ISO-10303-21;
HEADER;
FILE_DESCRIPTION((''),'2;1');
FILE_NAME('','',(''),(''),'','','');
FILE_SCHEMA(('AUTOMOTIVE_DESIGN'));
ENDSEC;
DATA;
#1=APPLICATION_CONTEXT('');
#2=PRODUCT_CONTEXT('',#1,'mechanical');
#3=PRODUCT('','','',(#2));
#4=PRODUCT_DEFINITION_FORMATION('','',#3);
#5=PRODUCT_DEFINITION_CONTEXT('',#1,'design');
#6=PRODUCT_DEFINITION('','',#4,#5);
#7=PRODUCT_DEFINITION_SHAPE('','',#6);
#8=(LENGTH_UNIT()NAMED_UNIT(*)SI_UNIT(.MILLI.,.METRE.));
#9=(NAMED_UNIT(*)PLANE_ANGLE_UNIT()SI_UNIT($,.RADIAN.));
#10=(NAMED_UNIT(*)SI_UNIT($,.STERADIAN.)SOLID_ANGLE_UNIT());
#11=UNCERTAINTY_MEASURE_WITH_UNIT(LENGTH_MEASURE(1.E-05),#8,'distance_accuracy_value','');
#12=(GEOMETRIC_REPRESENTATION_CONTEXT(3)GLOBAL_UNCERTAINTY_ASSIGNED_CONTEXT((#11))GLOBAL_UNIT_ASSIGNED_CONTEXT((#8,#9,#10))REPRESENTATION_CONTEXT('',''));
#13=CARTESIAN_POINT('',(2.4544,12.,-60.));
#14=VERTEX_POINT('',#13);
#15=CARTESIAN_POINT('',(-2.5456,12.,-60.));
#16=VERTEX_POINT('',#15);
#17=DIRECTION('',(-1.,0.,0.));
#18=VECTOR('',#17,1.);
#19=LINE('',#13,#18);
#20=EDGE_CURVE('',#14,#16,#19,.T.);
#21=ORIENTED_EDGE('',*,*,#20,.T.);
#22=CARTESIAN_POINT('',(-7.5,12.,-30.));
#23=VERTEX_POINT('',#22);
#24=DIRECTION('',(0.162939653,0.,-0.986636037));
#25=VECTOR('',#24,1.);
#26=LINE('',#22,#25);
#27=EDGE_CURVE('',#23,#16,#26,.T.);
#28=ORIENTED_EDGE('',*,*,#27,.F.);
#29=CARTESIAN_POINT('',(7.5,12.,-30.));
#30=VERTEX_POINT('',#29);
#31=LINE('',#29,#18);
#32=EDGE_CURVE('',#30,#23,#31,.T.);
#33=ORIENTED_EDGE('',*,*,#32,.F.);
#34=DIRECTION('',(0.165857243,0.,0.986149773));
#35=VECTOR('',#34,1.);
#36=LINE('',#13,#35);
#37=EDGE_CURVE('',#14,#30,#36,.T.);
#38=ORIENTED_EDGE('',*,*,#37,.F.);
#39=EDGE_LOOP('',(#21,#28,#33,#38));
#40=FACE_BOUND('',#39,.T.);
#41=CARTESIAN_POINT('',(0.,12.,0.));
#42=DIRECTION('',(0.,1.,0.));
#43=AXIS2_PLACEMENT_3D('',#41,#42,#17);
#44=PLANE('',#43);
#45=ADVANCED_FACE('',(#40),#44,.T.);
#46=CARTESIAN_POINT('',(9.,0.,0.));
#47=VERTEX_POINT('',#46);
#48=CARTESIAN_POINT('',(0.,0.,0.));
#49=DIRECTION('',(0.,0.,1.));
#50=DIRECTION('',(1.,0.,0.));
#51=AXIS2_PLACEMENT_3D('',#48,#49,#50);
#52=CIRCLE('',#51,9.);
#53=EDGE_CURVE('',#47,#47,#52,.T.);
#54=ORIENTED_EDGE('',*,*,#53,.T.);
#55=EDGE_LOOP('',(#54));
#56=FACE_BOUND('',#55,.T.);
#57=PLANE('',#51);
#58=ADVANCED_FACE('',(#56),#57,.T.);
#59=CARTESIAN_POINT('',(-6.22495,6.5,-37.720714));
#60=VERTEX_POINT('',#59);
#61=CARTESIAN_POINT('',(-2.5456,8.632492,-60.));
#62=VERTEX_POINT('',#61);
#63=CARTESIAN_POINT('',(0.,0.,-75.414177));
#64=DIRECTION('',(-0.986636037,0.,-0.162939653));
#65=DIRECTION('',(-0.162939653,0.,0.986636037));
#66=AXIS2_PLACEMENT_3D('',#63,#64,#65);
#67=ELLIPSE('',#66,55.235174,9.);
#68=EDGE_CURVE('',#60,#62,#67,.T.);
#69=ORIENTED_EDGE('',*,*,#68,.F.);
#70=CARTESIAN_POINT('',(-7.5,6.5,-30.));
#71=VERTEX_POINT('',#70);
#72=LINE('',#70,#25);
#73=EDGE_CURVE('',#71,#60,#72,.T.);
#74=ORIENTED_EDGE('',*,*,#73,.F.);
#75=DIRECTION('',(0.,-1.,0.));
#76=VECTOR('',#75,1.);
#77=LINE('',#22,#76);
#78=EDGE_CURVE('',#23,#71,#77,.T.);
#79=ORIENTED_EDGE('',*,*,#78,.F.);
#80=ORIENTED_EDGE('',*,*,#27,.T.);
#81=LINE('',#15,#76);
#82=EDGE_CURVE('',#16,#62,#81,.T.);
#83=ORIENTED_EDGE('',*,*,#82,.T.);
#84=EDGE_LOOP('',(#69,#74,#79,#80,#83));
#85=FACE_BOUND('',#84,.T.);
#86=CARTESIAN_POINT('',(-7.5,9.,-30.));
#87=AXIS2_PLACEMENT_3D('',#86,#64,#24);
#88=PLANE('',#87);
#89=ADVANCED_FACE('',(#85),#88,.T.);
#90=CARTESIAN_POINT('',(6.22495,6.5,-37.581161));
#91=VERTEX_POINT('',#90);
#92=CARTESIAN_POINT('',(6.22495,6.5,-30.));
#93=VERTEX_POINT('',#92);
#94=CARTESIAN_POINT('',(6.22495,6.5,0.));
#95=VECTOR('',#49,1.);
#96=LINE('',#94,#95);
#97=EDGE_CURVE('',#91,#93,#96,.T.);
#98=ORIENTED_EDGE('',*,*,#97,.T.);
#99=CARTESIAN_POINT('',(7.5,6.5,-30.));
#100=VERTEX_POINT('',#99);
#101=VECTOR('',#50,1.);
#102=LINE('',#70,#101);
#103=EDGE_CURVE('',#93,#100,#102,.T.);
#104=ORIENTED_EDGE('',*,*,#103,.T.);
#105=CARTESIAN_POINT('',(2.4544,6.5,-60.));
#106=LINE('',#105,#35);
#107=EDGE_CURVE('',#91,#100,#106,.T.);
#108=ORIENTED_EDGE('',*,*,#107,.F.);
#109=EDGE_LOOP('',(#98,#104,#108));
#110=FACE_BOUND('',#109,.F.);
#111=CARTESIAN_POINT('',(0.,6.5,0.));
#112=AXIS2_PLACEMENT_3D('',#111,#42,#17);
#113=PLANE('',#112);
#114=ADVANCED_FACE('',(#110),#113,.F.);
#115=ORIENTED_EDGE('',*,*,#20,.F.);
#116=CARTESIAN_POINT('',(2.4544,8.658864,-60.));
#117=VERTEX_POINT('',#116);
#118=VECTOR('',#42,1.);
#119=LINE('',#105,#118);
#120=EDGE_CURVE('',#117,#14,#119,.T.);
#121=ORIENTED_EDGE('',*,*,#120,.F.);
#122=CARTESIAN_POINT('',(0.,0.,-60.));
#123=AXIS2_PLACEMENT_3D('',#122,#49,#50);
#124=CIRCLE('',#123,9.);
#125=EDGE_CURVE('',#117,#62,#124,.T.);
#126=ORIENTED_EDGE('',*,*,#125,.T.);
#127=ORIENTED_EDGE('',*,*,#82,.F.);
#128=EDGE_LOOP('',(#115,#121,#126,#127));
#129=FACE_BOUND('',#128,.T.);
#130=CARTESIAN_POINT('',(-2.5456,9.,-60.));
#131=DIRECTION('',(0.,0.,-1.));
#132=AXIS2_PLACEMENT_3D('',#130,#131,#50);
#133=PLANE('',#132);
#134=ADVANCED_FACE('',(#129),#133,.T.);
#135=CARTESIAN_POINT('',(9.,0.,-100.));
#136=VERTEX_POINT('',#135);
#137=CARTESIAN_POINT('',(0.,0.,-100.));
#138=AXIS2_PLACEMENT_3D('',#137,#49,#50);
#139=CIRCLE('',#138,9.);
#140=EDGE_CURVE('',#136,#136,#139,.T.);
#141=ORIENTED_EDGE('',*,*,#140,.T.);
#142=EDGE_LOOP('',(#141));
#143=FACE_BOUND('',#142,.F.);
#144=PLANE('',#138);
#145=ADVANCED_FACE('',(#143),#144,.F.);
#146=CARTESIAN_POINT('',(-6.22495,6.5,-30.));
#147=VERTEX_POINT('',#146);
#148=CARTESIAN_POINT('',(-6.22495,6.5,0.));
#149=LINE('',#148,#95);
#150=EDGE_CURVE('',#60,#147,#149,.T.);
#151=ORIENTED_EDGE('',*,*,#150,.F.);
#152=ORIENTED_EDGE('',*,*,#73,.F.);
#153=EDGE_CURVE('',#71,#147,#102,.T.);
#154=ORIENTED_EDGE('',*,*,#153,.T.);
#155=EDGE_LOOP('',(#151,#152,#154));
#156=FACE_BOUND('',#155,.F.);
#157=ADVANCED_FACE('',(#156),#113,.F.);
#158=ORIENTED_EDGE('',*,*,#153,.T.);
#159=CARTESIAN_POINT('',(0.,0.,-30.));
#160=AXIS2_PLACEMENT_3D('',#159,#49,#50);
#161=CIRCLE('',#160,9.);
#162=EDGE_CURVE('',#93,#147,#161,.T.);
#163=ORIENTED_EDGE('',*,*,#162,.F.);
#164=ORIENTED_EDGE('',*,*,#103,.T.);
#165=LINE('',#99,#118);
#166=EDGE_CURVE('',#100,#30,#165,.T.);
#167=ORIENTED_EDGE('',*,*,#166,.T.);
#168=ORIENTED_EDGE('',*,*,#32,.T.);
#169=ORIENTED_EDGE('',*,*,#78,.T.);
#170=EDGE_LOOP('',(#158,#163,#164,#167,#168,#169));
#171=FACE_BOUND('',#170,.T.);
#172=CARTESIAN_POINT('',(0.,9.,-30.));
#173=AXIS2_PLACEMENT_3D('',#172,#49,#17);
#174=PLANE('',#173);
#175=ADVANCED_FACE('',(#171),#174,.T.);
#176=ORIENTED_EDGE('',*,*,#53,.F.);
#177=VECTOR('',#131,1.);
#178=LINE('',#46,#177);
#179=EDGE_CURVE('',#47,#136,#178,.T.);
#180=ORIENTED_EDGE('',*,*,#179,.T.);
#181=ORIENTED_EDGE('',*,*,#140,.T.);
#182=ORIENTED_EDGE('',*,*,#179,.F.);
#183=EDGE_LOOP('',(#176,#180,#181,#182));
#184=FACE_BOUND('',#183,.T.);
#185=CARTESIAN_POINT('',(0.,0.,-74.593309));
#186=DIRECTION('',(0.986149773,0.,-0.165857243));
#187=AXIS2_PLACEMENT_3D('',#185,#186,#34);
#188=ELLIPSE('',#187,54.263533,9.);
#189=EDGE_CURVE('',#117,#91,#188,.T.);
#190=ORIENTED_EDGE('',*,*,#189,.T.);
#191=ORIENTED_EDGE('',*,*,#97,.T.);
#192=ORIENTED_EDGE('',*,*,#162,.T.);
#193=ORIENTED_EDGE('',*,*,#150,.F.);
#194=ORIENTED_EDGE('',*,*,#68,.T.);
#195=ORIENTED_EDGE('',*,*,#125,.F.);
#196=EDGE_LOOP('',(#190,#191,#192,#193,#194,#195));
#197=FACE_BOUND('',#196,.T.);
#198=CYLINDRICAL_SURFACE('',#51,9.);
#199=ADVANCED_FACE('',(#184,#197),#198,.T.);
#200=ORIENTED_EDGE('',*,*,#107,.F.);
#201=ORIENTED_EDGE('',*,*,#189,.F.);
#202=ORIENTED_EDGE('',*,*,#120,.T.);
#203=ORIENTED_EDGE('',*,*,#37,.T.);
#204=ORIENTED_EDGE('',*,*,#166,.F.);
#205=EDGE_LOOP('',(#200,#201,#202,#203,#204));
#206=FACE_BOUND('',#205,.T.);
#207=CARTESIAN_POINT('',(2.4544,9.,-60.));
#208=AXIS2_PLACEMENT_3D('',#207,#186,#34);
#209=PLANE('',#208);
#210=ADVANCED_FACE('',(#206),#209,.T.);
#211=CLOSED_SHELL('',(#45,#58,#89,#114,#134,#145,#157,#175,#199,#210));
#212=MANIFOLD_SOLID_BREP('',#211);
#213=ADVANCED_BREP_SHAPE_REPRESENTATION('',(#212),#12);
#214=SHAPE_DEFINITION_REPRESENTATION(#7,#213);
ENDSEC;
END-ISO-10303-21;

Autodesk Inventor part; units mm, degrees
ref_plane "YZ Plane" through (0, 0, 0) normal (1, 0, 0) x (0, 1, 0)
ref_plane "XY Plane" through (0, 0, 0) normal (0, 0, 1) x (1, 0, 0)
sketch "Sketch4" plane through (0, 0, 0) normal (0, 0, 1) x (1, 0, 0)
  circle A0 centre (0, 0) radius 9
  dimension "d5" = 18
sketch "Sketch5" plane through (0, 0, 0) normal (1, 0, 0) x (0, 1, 0)
  point P0 (0, 0)
ref_plane "Work Plane1" through (0, 9, 0) normal (0, 1, 0) x (-1, 0, 0)
sketch "Sketch6" plane through (0, 9, 0) normal (0, 1, 0) x (-1, 0, 0)
  line L0 (0, 0) -> (0, -100)
  line L1 (0, -30) -> (7.5, -30)
  line L2 (7.5, -30) -> (2.5456, -60)
  line L3 (2.5456, -60) -> (-2.4544, -60)
  line L4 (-2.4544, -60) -> (-7.5, -30)
  line L5 (-7.5, -30) -> (0, -30)
  dimension "d7" = 100
  dimension "d8" = 5
  dimension "d9" = 7.5
  dimension "d10" = 7.5
  dimension "d11" = 30
  dimension "d12" = 40
extrude "Extrusion3" add sketch "Sketch4" against normal blind 100
extrude "Extrusion4" add sketch "Sketch6" along normal blind 3 and the other way blind 2.5
